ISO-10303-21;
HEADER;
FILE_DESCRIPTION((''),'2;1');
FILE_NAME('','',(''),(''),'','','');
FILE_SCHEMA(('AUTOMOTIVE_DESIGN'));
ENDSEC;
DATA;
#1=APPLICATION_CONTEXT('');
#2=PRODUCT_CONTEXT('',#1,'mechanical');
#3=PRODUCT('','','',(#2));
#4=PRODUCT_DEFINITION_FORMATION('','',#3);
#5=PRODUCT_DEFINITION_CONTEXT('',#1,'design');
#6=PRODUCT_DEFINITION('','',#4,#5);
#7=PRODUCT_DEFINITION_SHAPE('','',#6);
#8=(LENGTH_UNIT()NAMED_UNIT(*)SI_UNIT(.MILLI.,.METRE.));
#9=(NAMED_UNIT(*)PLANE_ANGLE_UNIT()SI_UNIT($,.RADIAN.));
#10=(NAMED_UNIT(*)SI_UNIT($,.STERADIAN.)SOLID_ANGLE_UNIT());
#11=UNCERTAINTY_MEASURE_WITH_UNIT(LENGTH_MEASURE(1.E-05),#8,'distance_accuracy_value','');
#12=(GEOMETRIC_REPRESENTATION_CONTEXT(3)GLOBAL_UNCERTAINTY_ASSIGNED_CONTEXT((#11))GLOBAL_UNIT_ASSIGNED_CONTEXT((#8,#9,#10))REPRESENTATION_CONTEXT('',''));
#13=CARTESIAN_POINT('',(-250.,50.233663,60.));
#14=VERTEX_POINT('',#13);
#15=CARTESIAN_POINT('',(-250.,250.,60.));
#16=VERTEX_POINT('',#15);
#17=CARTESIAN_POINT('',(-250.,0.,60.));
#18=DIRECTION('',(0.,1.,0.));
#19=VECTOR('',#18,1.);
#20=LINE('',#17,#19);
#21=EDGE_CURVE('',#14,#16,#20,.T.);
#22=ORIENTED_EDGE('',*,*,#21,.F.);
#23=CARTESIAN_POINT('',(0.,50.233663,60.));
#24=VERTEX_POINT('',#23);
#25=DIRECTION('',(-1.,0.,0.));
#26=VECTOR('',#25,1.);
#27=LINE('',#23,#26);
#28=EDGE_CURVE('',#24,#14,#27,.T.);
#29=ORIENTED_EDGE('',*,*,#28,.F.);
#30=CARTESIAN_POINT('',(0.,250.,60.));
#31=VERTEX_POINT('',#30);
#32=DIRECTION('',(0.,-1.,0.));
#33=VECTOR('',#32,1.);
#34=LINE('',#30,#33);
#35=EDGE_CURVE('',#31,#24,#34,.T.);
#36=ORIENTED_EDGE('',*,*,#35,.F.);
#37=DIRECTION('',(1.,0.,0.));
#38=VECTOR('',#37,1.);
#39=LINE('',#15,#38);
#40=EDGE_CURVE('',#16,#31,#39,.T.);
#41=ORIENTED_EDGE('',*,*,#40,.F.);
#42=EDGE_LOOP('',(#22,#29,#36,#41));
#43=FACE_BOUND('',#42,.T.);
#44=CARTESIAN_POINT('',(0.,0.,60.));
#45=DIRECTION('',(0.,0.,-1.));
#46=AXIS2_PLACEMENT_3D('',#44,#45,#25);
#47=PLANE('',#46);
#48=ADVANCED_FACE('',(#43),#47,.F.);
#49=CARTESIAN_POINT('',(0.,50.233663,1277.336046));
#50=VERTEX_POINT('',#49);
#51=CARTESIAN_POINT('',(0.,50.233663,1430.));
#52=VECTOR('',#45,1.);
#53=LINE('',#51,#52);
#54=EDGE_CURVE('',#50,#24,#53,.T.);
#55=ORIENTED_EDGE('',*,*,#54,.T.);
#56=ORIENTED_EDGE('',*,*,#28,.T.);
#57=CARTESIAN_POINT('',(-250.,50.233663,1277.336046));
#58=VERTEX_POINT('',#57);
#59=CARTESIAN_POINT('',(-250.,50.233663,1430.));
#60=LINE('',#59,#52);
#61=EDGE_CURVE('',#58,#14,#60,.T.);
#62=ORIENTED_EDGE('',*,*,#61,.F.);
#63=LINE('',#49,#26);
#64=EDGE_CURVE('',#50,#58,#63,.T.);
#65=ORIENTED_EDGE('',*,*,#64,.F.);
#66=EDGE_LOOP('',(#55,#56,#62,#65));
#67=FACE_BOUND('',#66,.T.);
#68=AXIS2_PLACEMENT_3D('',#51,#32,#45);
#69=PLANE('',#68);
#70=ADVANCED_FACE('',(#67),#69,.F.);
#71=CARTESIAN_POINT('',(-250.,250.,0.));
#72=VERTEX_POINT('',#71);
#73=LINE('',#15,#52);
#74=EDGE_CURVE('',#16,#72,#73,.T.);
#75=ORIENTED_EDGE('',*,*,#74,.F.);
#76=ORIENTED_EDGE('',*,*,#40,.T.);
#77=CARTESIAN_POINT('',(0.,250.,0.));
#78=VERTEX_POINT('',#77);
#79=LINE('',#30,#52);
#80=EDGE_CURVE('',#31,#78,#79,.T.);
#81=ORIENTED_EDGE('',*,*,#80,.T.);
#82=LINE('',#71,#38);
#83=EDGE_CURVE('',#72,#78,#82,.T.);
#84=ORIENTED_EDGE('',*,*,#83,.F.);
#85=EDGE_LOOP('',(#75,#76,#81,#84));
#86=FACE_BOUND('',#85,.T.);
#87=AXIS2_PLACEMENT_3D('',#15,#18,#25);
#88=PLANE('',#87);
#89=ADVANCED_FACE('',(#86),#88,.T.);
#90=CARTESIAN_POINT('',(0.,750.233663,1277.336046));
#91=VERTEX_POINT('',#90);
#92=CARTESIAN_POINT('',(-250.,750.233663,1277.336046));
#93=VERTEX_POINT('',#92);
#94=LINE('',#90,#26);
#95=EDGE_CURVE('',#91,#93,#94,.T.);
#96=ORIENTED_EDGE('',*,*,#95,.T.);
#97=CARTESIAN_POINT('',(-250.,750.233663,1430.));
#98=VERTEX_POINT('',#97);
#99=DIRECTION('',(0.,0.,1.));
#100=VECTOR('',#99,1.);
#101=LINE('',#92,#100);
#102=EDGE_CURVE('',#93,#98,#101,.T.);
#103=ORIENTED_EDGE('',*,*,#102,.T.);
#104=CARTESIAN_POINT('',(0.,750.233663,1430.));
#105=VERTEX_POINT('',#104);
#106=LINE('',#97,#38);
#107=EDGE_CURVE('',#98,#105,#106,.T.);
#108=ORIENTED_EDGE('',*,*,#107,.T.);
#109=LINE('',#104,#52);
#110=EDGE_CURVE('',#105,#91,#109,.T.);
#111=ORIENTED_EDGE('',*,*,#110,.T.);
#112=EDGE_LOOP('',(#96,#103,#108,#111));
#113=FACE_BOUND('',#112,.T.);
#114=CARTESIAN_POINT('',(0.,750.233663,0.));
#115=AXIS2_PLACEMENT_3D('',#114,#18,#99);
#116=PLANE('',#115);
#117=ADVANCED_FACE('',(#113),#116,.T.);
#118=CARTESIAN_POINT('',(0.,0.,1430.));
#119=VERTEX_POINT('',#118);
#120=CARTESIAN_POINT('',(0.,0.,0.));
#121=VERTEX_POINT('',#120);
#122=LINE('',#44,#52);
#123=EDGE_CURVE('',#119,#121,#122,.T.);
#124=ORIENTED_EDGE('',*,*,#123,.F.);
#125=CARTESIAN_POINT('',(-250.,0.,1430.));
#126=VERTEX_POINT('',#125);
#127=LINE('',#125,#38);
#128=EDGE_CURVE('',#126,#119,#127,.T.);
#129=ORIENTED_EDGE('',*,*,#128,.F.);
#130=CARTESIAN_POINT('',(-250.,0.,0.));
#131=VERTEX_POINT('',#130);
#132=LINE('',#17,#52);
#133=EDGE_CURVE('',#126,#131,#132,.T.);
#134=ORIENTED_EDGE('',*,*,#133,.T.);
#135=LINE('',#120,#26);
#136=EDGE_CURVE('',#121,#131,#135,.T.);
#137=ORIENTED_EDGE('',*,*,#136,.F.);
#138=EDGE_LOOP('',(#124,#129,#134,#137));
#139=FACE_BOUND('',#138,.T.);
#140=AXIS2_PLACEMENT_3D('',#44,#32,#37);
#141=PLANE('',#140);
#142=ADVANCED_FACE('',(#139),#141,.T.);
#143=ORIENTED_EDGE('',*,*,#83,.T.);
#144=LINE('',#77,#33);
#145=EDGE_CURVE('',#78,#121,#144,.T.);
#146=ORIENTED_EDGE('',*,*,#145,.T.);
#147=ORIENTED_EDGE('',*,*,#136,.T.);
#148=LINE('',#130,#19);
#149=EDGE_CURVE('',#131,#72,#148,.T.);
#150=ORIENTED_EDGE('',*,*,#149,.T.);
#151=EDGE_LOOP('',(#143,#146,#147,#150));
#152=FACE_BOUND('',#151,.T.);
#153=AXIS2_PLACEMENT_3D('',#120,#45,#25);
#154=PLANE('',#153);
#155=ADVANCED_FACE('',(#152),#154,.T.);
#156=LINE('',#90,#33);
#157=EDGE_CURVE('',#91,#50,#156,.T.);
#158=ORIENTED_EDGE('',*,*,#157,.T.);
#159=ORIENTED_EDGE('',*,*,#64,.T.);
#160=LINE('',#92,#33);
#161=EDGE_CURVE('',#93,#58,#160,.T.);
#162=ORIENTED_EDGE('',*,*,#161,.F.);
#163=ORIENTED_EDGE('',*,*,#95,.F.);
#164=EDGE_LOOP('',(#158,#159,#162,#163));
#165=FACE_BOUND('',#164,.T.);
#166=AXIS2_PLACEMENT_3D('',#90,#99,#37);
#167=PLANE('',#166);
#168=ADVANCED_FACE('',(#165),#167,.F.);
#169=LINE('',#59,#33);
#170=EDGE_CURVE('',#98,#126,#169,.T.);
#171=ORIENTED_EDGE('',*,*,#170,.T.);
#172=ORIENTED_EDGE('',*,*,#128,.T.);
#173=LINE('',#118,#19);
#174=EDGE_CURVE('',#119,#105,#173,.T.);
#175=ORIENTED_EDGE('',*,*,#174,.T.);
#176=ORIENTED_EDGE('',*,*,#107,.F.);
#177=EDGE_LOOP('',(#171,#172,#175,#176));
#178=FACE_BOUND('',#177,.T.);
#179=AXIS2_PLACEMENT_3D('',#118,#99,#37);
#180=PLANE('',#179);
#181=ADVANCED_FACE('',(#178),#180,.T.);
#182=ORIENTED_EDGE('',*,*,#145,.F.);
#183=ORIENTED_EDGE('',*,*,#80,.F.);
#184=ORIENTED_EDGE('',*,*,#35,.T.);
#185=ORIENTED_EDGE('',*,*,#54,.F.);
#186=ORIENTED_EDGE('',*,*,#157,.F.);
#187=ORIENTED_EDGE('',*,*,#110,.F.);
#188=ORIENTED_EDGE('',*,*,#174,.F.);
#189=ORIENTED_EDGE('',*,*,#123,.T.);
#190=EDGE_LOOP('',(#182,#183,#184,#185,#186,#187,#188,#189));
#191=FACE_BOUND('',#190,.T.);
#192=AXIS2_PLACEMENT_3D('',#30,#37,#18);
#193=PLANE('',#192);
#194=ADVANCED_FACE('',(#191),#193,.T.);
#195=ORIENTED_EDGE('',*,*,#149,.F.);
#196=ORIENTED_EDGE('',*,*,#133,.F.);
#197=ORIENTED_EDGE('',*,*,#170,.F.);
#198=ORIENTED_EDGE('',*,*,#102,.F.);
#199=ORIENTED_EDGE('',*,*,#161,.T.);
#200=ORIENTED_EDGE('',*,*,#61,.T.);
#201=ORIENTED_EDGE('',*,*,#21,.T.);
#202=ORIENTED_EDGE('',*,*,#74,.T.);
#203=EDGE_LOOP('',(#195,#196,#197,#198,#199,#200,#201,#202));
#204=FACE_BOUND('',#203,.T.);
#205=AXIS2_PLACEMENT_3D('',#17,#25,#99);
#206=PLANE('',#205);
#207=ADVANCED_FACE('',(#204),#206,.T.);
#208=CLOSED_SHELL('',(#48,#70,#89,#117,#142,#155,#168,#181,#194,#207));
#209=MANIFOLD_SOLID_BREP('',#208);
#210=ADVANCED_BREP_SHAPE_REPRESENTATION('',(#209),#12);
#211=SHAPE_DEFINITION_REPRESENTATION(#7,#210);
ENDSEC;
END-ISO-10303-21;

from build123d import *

# Parameters (mm, degrees)
SKETCH1_W           = 250
SKETCH1_H           = 250
BOSS_EXTRUDE1_DEPTH = 60
SKETCH2_W           = 250
SKETCH2_H           = 50.233662696
BOSS_EXTRUDE2_DEPTH = 1370
SKETCH3_W           = 250
SKETCH3_H           = 152.663953539
BOSS_EXTRUDE3_DEPTH = 700


with BuildPart() as part:
    # Sketch1 → Boss-Extrude1 (new body)
    with BuildSketch(Plane.XY):
        with Locations((-125, 125)):
            Rectangle(SKETCH1_W, SKETCH1_H)
    extrude(amount=BOSS_EXTRUDE1_DEPTH)

    # Sketch2 → Boss-Extrude2 (add)
    with BuildSketch(Plane.XY.offset(60)):
        with Locations((-125, 25.116831348)):
            Rectangle(SKETCH2_W, SKETCH2_H)
    extrude(amount=BOSS_EXTRUDE2_DEPTH)

    # Sketch3 → Boss-Extrude3 (add)
    with BuildSketch(Plane(origin=(0, 50.233662696, 0), x_dir=(1, 0, 0), z_dir=(0, 1, 0))):
        with Locations((-125, -1353.668023231)):
            Rectangle(SKETCH3_W, SKETCH3_H)
    extrude(amount=BOSS_EXTRUDE3_DEPTH)


solid = part.part
